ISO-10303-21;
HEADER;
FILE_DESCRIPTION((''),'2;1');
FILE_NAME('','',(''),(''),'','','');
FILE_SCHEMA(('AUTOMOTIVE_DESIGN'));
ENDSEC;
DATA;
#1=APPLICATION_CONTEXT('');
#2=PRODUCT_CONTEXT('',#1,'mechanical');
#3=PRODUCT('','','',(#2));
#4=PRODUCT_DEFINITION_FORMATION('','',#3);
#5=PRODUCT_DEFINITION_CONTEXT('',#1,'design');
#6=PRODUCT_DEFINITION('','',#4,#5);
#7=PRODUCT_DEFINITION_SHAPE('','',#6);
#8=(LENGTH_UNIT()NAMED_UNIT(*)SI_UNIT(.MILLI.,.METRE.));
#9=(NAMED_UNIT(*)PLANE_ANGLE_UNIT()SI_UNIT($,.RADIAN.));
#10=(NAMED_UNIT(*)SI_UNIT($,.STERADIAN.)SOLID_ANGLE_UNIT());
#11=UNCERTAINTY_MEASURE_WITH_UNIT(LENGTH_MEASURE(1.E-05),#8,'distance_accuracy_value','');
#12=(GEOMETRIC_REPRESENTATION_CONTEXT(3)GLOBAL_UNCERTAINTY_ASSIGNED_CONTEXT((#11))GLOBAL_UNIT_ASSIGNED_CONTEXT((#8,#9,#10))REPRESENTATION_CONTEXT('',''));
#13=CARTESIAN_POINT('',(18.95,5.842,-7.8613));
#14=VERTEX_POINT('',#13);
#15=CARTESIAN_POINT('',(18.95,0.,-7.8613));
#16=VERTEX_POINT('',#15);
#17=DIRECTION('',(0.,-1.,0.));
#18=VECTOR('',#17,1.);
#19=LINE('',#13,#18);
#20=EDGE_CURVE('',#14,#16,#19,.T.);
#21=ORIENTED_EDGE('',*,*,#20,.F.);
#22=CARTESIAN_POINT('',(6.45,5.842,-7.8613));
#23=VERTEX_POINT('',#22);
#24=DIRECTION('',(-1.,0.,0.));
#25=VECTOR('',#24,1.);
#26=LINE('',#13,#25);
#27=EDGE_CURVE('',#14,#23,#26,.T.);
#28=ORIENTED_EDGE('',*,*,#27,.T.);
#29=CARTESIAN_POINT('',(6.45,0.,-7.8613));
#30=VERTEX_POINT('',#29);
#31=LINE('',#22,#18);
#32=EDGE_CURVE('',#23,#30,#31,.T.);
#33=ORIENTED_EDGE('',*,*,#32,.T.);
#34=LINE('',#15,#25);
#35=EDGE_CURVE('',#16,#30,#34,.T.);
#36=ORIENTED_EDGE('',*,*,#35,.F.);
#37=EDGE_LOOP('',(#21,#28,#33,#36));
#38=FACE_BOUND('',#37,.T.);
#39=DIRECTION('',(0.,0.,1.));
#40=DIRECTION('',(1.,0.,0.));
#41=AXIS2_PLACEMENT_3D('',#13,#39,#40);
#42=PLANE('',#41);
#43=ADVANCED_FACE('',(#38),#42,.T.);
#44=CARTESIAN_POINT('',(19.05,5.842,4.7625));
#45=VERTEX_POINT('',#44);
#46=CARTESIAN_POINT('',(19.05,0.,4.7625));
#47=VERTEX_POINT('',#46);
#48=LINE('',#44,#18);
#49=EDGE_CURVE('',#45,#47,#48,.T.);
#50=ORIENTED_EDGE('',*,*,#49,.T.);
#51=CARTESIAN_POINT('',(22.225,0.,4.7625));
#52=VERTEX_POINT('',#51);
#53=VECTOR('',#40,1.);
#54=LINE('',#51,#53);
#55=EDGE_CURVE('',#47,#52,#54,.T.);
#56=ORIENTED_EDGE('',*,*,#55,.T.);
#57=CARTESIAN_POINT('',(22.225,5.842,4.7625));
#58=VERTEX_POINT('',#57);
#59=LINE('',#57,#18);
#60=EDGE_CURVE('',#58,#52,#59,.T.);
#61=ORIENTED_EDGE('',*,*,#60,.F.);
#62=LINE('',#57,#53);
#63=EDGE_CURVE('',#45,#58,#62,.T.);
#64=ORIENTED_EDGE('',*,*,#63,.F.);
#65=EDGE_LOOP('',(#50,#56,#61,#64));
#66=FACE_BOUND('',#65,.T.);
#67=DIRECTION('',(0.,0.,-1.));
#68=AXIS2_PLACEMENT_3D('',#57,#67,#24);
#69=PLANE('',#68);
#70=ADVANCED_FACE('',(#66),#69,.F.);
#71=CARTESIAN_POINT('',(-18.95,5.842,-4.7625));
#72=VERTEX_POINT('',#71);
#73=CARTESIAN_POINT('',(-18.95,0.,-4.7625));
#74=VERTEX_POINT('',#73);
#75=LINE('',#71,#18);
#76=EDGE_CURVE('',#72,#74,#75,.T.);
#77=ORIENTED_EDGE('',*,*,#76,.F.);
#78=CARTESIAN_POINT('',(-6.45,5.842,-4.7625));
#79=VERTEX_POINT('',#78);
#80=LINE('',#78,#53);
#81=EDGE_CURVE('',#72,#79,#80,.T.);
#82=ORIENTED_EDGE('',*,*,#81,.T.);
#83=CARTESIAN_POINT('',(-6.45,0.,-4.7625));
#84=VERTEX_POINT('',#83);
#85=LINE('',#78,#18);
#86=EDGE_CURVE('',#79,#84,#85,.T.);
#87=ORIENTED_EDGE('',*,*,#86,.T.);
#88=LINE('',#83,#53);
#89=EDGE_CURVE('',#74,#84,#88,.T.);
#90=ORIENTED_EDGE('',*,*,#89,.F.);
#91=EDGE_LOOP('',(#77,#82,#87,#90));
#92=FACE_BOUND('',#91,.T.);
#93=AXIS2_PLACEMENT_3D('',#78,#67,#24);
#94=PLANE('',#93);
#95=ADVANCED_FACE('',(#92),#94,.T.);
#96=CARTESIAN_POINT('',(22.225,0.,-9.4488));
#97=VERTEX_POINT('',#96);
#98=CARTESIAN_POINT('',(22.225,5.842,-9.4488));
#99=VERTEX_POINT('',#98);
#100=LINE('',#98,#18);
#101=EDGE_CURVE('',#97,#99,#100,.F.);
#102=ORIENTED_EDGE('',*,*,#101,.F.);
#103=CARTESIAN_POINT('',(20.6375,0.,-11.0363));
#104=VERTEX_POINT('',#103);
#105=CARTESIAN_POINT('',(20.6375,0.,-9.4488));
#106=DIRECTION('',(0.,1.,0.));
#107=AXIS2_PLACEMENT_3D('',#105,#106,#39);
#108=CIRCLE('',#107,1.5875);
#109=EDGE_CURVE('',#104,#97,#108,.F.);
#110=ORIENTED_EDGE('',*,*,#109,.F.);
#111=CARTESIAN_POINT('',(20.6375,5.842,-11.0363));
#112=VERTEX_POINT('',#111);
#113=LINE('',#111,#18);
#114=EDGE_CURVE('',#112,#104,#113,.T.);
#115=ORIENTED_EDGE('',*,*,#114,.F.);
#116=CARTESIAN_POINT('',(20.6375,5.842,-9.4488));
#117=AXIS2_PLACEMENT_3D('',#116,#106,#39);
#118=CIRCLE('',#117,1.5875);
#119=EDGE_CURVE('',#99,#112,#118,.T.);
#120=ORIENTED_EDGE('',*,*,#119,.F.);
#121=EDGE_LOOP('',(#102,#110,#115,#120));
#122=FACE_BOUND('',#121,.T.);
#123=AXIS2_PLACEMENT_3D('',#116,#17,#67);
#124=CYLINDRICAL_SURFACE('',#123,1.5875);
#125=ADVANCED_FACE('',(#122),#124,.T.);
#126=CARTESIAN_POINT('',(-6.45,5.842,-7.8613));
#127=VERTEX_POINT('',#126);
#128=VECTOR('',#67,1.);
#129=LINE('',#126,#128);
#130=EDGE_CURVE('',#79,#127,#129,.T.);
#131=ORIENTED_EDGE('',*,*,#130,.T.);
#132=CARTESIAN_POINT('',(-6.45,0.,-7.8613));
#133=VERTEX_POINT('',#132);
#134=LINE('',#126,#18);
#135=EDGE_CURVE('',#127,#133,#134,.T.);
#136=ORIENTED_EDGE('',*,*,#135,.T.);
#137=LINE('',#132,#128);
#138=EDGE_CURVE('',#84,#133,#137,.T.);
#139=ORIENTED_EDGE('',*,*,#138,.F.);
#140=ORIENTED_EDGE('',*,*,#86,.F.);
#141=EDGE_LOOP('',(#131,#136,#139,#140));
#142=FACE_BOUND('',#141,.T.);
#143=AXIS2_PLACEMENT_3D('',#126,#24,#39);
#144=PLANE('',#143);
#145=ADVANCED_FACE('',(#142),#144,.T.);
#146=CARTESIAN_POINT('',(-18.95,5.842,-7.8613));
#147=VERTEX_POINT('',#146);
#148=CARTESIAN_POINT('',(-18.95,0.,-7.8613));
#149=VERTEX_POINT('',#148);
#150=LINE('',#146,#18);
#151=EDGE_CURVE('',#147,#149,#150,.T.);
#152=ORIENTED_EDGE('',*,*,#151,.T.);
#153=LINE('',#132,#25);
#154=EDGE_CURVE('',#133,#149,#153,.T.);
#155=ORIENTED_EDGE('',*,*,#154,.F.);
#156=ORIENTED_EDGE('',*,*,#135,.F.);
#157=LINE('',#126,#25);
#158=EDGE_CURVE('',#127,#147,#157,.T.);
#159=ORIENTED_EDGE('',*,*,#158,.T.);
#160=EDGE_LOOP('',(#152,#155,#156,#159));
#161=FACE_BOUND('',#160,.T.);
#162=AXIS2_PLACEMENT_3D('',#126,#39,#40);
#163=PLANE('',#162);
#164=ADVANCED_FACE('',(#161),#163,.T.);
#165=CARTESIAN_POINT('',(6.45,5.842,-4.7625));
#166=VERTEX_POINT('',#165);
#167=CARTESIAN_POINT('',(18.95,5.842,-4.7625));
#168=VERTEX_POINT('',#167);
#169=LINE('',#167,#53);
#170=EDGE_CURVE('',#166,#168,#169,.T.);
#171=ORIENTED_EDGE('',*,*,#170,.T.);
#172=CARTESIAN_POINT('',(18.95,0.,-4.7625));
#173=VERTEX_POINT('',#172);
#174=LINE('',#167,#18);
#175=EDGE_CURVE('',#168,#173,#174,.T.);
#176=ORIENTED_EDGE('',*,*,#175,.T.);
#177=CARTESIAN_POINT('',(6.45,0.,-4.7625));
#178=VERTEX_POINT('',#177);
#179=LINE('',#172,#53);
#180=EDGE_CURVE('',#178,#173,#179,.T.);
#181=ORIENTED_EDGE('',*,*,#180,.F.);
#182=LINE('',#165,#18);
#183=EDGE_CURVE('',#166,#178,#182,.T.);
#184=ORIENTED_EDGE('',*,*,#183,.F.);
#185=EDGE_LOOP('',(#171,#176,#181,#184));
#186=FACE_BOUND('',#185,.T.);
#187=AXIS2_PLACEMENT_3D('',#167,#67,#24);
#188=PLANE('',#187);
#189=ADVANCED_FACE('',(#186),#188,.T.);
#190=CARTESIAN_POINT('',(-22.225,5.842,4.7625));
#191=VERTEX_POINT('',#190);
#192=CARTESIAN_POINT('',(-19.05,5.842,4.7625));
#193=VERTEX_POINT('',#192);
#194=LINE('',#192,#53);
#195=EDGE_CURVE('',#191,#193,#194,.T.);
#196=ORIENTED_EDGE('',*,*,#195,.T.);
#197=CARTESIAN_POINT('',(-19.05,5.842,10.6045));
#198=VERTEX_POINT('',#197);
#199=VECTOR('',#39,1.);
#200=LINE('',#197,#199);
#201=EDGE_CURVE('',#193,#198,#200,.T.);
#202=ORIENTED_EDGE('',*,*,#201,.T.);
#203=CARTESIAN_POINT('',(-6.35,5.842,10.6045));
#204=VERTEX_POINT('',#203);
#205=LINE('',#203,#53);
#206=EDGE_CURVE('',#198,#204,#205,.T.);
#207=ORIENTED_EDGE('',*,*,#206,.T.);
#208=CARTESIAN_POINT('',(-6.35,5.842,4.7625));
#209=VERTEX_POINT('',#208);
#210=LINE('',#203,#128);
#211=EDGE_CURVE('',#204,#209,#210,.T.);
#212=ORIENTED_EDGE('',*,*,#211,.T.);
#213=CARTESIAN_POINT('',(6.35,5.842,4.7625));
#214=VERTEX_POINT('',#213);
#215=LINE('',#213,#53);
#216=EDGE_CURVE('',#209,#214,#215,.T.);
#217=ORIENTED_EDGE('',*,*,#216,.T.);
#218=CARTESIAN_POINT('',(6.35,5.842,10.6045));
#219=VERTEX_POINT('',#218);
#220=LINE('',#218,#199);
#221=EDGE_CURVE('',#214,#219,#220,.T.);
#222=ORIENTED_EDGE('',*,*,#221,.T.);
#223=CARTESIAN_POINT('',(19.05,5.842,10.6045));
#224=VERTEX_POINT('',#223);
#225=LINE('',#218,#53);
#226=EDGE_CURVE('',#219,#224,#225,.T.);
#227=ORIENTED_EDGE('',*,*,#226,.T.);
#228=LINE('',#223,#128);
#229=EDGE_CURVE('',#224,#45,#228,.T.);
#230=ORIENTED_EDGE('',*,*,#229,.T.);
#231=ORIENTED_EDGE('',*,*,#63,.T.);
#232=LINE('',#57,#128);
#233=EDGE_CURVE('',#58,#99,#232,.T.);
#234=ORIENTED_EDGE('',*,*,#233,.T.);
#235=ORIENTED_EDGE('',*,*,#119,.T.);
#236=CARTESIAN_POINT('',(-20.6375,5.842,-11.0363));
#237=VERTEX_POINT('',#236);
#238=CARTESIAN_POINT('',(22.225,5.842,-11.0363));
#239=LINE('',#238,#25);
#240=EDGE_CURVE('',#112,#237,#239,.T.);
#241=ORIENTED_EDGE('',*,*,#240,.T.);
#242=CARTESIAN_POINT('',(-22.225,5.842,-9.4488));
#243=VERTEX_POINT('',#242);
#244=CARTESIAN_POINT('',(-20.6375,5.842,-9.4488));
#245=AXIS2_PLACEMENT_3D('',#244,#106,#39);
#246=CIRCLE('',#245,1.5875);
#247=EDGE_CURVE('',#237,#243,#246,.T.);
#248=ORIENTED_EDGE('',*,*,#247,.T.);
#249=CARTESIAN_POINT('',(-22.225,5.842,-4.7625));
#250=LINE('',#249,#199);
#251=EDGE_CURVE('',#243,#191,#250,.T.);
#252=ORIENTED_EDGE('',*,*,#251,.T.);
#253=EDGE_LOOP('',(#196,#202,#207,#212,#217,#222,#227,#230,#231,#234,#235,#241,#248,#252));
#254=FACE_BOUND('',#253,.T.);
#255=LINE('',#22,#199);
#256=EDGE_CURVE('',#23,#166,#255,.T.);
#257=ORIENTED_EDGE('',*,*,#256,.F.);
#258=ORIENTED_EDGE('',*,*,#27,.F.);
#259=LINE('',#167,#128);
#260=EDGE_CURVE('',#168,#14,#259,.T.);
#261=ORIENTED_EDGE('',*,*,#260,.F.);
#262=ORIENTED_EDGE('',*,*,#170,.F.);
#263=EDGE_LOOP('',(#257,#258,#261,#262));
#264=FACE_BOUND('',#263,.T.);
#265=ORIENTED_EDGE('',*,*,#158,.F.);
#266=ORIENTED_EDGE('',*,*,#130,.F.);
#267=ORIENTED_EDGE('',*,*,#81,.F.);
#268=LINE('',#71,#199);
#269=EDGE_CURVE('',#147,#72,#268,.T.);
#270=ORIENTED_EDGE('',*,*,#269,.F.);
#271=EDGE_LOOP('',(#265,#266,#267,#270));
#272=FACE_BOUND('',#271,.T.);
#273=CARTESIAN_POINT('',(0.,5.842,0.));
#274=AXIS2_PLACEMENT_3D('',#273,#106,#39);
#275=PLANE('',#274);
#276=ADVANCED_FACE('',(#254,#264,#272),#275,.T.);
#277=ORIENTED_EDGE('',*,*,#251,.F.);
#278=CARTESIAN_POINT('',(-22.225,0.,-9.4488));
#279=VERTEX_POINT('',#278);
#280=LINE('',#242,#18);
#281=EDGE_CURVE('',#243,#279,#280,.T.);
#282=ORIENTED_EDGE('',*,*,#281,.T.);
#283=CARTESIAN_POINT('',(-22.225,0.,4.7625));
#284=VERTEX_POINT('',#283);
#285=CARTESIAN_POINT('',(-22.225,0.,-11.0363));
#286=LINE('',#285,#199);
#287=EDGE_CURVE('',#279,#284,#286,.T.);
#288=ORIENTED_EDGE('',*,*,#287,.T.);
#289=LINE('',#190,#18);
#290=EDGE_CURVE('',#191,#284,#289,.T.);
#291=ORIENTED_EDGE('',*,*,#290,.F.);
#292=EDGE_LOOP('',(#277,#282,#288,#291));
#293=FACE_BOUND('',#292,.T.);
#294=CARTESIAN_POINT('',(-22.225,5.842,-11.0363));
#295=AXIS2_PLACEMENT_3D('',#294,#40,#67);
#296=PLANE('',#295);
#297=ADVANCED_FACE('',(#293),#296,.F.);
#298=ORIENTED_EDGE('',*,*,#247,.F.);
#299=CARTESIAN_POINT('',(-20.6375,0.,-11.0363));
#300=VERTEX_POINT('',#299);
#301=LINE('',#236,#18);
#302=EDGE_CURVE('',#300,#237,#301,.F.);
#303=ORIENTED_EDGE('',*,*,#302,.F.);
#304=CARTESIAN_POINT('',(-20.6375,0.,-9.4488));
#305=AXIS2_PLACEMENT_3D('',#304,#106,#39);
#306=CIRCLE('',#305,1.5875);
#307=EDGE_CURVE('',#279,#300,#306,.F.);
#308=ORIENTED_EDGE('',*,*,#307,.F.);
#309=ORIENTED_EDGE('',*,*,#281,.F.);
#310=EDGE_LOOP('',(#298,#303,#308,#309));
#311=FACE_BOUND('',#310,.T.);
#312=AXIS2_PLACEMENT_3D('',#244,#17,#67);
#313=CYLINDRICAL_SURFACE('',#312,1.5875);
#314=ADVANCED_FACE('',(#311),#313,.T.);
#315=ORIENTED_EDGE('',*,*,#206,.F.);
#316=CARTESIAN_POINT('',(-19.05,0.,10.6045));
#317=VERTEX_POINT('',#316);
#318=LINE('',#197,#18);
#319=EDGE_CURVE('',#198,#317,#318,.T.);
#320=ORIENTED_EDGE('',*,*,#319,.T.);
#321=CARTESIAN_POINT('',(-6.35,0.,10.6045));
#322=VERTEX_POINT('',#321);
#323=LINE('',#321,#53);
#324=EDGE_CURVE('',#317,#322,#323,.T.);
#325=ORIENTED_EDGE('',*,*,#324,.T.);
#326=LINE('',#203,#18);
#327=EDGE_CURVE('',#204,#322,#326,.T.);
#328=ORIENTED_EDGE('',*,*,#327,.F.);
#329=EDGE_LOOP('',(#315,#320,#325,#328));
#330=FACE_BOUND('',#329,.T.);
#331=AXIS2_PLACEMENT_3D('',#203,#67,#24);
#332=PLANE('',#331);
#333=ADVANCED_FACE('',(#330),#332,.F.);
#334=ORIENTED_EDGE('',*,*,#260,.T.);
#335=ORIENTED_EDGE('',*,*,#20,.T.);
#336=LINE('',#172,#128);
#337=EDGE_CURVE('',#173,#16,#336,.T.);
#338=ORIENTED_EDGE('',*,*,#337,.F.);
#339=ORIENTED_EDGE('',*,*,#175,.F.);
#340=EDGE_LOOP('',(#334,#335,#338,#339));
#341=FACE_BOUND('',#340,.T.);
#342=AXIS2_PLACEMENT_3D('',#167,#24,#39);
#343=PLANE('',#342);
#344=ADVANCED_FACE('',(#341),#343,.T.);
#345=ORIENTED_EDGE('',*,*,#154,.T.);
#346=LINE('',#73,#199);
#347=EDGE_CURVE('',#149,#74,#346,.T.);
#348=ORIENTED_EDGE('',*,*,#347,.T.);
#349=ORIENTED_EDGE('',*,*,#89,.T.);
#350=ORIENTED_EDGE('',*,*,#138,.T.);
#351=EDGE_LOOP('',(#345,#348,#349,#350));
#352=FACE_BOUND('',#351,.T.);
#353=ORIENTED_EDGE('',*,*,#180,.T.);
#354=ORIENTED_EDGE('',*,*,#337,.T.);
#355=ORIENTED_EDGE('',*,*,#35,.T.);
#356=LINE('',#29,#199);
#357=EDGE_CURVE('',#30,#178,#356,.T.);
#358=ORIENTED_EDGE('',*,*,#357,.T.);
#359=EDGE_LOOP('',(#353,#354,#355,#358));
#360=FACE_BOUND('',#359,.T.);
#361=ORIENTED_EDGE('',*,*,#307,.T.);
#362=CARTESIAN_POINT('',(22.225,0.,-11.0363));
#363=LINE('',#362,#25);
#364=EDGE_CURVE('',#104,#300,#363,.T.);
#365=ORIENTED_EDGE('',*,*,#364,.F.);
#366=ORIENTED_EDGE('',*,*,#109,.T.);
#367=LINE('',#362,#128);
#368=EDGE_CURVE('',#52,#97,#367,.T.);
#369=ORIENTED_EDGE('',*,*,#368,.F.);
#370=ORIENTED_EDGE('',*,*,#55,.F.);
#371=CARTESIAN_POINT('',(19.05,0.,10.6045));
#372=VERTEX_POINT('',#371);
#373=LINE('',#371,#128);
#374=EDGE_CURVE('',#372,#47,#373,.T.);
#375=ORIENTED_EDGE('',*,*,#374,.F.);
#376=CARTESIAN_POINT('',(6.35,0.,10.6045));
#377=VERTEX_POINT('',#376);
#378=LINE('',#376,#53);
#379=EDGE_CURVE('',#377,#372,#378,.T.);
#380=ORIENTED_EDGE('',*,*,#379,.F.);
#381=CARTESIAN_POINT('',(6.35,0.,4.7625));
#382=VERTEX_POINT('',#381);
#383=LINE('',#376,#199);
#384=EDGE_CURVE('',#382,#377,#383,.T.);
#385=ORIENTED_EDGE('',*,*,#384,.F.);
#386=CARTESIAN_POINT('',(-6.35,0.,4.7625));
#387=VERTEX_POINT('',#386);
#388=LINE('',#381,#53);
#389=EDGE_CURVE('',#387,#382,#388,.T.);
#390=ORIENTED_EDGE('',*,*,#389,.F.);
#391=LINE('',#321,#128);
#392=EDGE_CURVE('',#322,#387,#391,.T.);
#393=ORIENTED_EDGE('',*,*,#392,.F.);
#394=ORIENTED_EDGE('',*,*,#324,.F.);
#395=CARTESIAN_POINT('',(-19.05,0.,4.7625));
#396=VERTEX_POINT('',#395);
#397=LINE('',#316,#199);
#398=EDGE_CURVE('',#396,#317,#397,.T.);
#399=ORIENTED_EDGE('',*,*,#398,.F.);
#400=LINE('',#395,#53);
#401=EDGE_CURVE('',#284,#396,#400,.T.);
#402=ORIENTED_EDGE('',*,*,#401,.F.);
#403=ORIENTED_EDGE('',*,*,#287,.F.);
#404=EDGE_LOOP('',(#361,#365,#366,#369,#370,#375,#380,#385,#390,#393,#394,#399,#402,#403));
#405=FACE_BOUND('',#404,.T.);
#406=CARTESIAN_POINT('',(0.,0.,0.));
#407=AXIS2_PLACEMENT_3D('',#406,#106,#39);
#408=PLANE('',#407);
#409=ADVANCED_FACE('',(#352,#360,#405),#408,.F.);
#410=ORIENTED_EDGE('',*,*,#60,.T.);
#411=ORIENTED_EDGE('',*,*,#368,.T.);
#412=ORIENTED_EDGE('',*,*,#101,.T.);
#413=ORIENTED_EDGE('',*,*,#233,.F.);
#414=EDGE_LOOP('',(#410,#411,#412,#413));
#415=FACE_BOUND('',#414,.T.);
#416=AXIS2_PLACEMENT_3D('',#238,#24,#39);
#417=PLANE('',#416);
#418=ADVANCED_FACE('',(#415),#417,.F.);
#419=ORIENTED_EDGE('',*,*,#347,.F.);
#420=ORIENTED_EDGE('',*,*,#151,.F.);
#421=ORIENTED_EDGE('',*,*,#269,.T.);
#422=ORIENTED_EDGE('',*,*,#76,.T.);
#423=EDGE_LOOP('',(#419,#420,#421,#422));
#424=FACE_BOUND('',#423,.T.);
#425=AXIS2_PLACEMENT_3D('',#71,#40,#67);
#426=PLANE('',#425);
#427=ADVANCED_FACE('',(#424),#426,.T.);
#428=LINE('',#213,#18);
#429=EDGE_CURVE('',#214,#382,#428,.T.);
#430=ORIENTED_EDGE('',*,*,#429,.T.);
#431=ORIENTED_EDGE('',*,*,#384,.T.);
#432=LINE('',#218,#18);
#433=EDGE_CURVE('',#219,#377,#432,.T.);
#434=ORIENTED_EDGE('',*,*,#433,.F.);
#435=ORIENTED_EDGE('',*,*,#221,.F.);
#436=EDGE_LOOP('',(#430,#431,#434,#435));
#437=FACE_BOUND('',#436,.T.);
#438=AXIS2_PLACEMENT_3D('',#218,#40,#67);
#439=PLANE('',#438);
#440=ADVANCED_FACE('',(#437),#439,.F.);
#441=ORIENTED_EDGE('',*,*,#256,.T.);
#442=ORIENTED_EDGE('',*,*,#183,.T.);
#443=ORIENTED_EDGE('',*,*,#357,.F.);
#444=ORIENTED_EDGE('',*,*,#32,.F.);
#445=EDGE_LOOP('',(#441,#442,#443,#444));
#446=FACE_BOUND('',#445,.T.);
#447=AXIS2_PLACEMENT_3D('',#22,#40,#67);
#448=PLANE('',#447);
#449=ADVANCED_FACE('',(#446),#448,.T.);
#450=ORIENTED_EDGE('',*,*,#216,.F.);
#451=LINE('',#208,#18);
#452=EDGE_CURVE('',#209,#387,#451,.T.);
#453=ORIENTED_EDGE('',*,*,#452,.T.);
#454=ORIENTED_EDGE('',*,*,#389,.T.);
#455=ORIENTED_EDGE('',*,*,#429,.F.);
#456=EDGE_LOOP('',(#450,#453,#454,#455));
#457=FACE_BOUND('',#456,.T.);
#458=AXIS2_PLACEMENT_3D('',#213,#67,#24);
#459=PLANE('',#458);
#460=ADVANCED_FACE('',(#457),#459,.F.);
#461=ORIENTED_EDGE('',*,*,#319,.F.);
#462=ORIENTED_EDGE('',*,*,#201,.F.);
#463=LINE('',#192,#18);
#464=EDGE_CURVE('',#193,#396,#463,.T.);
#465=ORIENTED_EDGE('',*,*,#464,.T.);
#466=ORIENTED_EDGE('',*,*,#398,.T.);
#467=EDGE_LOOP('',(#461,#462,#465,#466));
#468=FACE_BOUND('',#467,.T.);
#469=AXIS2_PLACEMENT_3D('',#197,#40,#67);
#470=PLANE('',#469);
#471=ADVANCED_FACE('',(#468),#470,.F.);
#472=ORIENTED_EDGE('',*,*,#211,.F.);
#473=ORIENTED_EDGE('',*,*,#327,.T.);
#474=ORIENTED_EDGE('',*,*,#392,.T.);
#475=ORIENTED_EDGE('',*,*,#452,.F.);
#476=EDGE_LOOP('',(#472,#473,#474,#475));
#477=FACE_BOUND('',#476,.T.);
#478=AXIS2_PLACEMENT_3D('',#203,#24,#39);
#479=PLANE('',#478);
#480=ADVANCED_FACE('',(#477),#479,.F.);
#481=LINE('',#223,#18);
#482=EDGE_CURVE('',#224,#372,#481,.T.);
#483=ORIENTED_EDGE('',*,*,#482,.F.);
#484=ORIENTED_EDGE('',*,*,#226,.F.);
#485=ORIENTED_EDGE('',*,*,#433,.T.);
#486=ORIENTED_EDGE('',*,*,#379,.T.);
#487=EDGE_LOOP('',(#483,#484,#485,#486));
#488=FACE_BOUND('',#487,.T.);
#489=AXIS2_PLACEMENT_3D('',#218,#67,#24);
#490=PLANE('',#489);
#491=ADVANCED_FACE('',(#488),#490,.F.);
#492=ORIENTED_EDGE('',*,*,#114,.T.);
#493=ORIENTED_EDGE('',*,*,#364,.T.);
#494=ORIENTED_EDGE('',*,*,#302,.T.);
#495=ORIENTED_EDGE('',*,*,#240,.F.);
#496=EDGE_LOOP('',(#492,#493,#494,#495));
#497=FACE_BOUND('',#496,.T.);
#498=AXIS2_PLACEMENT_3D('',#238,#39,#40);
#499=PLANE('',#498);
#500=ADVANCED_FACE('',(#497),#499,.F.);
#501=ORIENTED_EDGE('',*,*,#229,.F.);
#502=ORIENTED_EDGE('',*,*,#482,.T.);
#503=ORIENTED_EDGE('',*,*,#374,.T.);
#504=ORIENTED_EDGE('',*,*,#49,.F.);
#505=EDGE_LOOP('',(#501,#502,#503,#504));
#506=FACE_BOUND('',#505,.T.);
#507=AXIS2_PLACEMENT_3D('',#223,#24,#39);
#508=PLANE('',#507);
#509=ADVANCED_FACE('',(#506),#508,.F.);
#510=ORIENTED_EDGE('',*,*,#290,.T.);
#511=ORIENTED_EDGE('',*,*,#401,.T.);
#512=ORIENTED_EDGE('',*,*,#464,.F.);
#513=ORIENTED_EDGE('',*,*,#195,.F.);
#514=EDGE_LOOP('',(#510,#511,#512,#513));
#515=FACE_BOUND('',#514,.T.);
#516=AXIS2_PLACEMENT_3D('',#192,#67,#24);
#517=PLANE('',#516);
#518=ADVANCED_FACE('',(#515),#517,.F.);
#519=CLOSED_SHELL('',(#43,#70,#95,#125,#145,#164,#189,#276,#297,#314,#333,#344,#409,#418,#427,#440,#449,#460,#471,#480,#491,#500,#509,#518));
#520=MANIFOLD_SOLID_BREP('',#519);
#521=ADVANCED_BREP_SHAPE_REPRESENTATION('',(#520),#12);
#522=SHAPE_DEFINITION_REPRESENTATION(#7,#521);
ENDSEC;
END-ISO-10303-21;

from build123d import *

# Parameters (mm, degrees)
SKETCH1_W           = 12.5
SKETCH1_H           = 3.0988
BOSS_EXTRUDE1_DEPTH = 5.842
FILLET1_R           = 1.5875


with BuildPart() as part:
    # Sketch1 → Boss-Extrude1 (new body)
    with BuildSketch(Plane(origin=(0, 0, 0), x_dir=(1, 0, 0), z_dir=(0, 1, 0))):
        Polygon((22.225, -4.7625), (19.05, -4.7625), (19.05, -10.6045), (6.35, -10.6045), (6.35, -4.7625), (-6.35, -4.7625), (-6.35, -10.6045), (-19.05, -10.6045), (-19.05, -4.7625), (-22.225, -4.7625), (-22.225, 4.7625), (-22.225, 7.8613), (-22.225, 11.0363), (22.225, 11.0363), (22.225, 7.8613), (22.225, 4.7625), align=None)
        with Locations((12.7, 6.3119)):
            Rectangle(SKETCH1_W, SKETCH1_H, mode=Mode.SUBTRACT)
        with Locations((-12.7, 6.3119)):
            Rectangle(SKETCH1_W, SKETCH1_H, mode=Mode.SUBTRACT)
    extrude(amount=BOSS_EXTRUDE1_DEPTH)

    # Fillet1
    fillet1_edges = [part.edges().sort_by_distance(p)[0] for p in [
        (-22.225, 2.921, -11.0363),
        (22.225, 2.921, -11.0363),
    ]]
    fillet(fillet1_edges, radius=FILLET1_R)


solid = part.part
